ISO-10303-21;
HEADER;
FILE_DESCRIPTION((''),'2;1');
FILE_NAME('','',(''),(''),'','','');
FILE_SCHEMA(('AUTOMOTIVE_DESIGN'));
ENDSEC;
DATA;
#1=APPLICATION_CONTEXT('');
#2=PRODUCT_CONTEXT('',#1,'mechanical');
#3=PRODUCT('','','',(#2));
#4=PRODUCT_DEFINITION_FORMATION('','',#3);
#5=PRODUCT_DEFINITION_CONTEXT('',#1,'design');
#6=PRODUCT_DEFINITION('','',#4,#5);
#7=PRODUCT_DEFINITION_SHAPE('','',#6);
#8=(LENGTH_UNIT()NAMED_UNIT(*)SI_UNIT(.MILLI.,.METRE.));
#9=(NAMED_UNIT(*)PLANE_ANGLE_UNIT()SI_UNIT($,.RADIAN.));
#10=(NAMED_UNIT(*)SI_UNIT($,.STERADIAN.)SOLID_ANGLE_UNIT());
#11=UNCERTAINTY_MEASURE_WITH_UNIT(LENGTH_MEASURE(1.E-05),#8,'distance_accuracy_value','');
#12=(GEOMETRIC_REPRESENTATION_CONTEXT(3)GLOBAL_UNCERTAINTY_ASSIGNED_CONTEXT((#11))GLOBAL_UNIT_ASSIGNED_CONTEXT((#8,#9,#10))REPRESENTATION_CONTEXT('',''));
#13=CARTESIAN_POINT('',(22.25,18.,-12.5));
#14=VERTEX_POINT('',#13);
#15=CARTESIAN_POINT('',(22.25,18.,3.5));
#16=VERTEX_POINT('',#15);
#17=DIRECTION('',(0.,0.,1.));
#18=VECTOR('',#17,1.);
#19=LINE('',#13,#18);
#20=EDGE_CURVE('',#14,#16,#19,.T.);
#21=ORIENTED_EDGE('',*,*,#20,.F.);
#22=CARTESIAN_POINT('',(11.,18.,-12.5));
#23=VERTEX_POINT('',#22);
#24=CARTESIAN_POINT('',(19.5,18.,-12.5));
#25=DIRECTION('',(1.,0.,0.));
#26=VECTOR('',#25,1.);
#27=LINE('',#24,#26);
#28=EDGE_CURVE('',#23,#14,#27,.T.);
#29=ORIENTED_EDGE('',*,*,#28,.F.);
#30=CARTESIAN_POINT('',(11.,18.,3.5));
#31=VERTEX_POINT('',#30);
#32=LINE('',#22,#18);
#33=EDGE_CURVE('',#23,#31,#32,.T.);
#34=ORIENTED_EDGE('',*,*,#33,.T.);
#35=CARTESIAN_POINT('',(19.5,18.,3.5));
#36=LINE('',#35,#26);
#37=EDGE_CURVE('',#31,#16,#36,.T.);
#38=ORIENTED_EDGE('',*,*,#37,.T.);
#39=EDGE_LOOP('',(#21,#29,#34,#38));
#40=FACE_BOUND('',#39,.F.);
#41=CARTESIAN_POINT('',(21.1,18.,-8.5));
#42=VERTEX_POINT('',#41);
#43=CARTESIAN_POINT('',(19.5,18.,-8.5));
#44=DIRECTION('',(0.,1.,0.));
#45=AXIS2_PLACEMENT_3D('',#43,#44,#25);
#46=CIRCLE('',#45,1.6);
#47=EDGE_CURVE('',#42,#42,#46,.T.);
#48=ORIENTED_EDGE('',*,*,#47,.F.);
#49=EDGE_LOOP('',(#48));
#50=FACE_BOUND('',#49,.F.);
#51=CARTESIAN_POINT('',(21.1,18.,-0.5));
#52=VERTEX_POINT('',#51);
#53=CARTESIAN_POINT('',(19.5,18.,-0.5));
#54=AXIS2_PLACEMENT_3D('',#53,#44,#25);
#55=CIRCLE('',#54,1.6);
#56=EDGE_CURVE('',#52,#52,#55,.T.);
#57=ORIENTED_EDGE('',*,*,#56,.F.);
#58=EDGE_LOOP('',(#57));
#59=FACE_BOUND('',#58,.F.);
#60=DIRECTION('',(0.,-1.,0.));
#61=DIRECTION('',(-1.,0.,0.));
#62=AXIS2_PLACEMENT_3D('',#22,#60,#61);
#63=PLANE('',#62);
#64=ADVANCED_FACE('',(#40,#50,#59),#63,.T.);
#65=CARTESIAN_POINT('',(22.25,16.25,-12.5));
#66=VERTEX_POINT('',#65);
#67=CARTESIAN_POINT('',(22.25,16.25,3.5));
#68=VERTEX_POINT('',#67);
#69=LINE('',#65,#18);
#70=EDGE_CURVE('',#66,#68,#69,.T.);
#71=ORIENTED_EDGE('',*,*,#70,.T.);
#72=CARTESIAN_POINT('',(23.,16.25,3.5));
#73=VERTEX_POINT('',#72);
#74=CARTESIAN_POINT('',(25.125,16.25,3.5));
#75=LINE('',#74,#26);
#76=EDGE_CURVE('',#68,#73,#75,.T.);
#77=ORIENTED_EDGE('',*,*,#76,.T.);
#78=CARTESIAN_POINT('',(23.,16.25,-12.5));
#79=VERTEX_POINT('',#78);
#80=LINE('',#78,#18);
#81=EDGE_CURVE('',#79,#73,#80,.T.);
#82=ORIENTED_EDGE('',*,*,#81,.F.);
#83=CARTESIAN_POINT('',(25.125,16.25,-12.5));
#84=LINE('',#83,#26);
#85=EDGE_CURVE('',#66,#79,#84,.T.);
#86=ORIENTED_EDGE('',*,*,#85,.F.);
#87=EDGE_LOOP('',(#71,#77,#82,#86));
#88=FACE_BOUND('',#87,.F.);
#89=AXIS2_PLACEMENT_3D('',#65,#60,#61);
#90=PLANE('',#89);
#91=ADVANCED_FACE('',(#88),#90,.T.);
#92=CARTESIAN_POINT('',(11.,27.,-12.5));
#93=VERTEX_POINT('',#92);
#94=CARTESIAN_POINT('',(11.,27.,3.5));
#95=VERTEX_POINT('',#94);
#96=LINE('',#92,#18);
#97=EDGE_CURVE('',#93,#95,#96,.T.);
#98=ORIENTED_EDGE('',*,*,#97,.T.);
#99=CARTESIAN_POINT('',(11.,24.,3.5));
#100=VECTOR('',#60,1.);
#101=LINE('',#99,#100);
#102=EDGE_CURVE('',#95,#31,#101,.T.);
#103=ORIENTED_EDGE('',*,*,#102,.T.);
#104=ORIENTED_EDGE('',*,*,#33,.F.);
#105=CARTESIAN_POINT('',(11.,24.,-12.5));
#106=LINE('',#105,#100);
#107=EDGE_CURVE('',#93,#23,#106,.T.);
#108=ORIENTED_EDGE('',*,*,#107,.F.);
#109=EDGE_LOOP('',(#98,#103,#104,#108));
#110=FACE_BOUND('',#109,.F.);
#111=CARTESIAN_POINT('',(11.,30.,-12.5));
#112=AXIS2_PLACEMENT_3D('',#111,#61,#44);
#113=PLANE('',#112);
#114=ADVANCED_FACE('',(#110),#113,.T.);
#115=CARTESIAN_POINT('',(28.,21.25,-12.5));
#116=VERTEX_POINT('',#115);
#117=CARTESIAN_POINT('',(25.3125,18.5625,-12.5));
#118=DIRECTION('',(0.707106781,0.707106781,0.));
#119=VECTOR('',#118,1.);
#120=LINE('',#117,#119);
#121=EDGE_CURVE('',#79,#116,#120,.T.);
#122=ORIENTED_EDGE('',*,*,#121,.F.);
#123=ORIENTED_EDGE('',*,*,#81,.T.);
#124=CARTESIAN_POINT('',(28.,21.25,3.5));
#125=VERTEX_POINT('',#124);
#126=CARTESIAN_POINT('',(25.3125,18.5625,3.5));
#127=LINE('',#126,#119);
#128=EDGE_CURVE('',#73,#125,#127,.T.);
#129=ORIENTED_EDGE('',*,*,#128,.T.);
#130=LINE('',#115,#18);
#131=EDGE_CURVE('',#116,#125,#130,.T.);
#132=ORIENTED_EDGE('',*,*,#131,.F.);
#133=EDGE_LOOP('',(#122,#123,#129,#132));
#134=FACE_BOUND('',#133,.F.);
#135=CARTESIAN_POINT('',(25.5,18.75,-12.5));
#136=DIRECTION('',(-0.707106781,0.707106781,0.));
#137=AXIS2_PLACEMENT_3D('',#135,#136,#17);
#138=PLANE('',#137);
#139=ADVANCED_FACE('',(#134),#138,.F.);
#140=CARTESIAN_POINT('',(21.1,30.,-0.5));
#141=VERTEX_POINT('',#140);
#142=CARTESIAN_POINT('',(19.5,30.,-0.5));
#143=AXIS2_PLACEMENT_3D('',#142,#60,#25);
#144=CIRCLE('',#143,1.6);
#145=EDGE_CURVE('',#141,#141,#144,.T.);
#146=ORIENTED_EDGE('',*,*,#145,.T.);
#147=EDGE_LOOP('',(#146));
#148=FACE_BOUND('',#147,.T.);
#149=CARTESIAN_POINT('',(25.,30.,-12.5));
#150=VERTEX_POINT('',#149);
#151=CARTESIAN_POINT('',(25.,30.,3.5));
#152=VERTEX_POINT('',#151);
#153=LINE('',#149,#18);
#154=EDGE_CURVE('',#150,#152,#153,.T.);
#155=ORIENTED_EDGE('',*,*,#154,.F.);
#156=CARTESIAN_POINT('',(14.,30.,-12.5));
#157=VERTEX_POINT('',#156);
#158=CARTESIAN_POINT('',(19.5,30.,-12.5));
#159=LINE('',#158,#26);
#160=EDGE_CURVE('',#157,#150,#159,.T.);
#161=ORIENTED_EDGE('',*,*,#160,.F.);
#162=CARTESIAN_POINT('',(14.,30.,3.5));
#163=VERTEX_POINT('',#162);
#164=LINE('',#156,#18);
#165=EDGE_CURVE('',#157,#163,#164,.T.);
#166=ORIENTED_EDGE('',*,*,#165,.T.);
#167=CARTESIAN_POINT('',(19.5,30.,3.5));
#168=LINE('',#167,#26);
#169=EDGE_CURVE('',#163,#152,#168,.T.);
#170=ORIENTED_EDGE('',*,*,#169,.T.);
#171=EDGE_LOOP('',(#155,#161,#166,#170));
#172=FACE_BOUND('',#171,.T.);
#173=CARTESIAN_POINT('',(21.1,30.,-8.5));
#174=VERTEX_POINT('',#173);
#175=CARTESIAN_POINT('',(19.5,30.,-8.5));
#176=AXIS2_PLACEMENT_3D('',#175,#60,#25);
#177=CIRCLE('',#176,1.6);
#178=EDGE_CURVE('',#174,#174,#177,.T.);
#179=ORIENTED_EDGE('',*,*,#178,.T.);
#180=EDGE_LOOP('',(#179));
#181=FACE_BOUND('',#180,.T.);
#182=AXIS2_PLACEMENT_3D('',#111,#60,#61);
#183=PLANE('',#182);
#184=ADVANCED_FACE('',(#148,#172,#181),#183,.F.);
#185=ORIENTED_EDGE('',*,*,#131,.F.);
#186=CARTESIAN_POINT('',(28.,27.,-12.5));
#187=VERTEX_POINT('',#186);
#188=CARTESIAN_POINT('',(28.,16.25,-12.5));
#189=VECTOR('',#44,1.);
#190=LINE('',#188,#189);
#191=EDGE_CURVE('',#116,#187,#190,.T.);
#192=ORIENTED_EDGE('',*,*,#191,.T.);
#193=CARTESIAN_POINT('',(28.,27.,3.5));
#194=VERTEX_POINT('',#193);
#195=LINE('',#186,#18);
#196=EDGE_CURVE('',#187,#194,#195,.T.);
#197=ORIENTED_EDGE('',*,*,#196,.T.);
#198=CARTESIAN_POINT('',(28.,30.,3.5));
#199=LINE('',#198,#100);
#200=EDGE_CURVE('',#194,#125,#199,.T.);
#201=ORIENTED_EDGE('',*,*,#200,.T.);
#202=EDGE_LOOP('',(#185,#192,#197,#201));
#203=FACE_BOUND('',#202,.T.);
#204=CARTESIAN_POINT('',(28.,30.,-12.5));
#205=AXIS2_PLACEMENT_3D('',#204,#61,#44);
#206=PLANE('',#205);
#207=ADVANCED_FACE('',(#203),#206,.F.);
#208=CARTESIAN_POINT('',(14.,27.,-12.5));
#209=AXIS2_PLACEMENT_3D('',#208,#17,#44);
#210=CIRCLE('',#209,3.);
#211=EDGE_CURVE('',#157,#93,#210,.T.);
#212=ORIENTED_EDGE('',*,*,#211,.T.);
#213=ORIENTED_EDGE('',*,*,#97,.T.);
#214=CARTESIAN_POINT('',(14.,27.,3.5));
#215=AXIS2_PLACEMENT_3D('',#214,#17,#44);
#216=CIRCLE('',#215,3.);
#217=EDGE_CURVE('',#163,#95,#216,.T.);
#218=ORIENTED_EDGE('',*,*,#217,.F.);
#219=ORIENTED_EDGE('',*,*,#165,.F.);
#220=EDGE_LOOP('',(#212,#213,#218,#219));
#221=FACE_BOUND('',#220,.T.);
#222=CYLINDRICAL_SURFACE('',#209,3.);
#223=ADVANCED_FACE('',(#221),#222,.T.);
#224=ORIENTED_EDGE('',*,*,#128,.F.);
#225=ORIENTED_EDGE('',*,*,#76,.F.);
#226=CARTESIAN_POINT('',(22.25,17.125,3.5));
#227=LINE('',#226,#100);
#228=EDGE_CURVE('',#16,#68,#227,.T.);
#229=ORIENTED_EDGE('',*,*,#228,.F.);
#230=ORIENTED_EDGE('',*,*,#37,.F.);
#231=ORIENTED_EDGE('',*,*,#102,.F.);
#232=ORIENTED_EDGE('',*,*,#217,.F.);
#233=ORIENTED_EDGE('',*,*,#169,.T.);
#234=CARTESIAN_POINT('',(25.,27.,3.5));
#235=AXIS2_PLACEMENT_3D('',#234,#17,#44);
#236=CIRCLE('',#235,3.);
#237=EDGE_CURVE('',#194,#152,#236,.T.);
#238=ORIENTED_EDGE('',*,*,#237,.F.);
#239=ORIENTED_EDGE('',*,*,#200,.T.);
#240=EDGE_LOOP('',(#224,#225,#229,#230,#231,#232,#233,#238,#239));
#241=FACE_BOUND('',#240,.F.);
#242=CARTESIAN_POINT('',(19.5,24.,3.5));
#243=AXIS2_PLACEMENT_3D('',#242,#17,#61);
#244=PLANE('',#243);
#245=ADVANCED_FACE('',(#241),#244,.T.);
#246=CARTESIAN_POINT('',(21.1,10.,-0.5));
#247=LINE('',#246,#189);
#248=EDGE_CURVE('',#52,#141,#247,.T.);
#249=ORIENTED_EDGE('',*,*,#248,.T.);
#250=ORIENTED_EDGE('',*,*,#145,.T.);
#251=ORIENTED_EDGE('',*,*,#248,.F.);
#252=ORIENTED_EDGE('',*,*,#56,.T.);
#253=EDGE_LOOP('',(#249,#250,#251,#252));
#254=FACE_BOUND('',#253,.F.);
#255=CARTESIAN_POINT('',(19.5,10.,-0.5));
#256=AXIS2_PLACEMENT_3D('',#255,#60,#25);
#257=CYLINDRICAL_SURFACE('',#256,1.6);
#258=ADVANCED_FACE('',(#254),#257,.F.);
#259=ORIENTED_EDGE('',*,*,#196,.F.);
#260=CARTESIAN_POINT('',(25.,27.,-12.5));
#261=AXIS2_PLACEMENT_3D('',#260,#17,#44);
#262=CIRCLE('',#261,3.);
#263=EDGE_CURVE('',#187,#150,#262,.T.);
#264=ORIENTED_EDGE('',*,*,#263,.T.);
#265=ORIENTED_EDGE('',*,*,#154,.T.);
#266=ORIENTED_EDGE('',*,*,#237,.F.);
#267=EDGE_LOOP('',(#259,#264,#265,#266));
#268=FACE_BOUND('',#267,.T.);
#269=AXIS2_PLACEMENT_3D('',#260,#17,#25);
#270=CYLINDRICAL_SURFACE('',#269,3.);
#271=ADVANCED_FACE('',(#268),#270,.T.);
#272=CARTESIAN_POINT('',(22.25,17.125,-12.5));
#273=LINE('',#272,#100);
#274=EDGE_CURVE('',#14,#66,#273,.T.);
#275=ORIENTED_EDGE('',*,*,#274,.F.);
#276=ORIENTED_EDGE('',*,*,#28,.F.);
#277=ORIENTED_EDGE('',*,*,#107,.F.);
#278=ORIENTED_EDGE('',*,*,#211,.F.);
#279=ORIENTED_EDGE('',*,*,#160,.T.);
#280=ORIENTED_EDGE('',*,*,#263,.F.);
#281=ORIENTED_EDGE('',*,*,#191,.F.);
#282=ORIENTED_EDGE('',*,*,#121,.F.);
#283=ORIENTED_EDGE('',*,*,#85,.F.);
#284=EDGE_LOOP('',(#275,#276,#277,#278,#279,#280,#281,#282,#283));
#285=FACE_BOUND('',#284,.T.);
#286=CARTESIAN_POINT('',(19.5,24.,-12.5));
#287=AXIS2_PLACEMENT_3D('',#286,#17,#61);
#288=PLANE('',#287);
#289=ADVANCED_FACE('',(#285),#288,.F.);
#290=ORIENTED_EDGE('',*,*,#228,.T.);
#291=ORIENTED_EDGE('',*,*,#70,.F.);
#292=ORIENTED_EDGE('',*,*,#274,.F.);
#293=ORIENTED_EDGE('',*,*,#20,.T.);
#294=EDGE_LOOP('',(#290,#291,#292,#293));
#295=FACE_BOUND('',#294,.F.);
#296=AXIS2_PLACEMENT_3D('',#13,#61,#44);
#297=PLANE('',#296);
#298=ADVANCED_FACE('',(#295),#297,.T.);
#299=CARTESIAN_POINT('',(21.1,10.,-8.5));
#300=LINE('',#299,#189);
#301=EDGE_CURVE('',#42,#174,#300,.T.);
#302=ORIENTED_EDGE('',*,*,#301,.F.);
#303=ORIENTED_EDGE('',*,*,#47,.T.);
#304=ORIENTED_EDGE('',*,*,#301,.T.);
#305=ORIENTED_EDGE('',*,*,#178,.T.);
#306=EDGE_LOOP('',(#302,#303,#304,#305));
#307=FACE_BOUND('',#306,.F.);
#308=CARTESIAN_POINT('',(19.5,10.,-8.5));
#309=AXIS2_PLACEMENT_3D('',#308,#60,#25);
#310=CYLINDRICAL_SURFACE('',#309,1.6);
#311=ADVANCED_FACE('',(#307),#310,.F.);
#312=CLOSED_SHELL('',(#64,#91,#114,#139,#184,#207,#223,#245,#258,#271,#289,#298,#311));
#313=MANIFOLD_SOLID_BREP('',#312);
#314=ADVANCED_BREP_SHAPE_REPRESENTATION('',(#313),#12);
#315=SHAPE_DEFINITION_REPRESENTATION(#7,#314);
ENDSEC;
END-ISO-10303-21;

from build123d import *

# Parameters (mm, degrees)
CYLINDER901_R          = 1.6
CYLINDER901_DEPTH      = 20
CYLINDER901_ROLL_ANGLE = 90
CYLINDER902_R          = 1.6
CYLINDER902_DEPTH      = 20
CYLINDER902_ROLL_ANGLE = 90
BOX554_W               = 17
BOX554_H               = 12
BOX554_DEPTH           = 16
BOX555_W               = 5.75
BOX555_H               = 1.75
BOX555_DEPTH           = 16
CHAMFER002_SIZE        = 5
FILLET014_R            = 3


with BuildPart() as cylinder1024:
    # Cylinder901 → Cylinder901 (new body)
    with BuildSketch(Plane.XY):
        Circle(CYLINDER901_R)
    extrude(amount=CYLINDER901_DEPTH)


with BuildPart() as cylinder1024_1:
    # Cylinder901 roll: moved
    add(cylinder1024.part.rotate(Axis((0, 0, 0), (1, 0, 0)), CYLINDER901_ROLL_ANGLE))


with BuildPart() as cylinder1024_2:
    # Cylinder901 placement: moved
    add(cylinder1024_1.part.moved(Location((19.5, 30, 0.5))))


with BuildPart() as fusion059:
    # Cylinder902 → Cylinder902 (new body)
    with BuildSketch(Plane.XY):
        Circle(CYLINDER902_R)
    extrude(amount=CYLINDER902_DEPTH)


with BuildPart() as fusion059_1:
    # Cylinder902 roll: moved
    add(fusion059.part.rotate(Axis((0, 0, 0), (1, 0, 0)), CYLINDER902_ROLL_ANGLE))


with BuildPart() as fusion059_2:
    # Cylinder902 placement: moved
    add(fusion059_1.part.moved(Location((19.5, 30, -7.5))))

    # Fusion059: union Cylinder1024
    add(cylinder1024_2.part)


with BuildPart() as fusion059_3:
    # Fusion059 placement: moved
    add(fusion059_2.part.moved(Location((0, -40, 0))))


with BuildPart() as cube745:
    # Box554 → Box554 (new body)
    with BuildSketch(Plane(origin=(11, -30, -11.5), x_dir=(1, 0, 0), z_dir=(0, 0, 1))):
        with Locations((8.5, 6)):
            Rectangle(BOX554_W, BOX554_H)
    extrude(amount=BOX554_DEPTH)


with BuildPart() as cut014022:
    # Box555 → Box555 (new body)
    with BuildSketch(Plane(origin=(22.25, -18, -11.5), x_dir=(1, 0, 0), z_dir=(0, 0, 1))):
        with Locations((2.875, 0.875)):
            Rectangle(BOX555_W, BOX555_H)
    extrude(amount=BOX555_DEPTH)

    # Fusion058: union Cube745
    add(cube745.part)

    # Chamfer002
    chamfer002_edges = [cut014022.edges().sort_by_distance(p)[0] for p in [
        (28, -16.25, -3.5),
    ]]
    chamfer(chamfer002_edges, length=CHAMFER002_SIZE)

    # Fillet014
    fillet014_edges = [cut014022.edges().sort_by_distance(p)[0] for p in [
        (28, -30, -3.5),
        (11, -30, -3.5),
    ]]
    fillet(fillet014_edges, radius=FILLET014_R)

    # Cut014022: cut Fusion059
    add(fusion059_3.part, mode=Mode.SUBTRACT)


with BuildPart() as diff_box_mount_right:
    # Part__Mirroring001: instance of Cut014022
    add(cut014022.part.mirror(Plane(origin=(0, 0, 0), x_dir=(1, 0, 0), z_dir=(0, 1, 0))))


with BuildPart() as diff_box_mount_right_1:
    # Part__Mirroring001 placement: moved
    add(diff_box_mount_right.part.moved(Location((0, 0, -1))))


solid = diff_box_mount_right_1.part
